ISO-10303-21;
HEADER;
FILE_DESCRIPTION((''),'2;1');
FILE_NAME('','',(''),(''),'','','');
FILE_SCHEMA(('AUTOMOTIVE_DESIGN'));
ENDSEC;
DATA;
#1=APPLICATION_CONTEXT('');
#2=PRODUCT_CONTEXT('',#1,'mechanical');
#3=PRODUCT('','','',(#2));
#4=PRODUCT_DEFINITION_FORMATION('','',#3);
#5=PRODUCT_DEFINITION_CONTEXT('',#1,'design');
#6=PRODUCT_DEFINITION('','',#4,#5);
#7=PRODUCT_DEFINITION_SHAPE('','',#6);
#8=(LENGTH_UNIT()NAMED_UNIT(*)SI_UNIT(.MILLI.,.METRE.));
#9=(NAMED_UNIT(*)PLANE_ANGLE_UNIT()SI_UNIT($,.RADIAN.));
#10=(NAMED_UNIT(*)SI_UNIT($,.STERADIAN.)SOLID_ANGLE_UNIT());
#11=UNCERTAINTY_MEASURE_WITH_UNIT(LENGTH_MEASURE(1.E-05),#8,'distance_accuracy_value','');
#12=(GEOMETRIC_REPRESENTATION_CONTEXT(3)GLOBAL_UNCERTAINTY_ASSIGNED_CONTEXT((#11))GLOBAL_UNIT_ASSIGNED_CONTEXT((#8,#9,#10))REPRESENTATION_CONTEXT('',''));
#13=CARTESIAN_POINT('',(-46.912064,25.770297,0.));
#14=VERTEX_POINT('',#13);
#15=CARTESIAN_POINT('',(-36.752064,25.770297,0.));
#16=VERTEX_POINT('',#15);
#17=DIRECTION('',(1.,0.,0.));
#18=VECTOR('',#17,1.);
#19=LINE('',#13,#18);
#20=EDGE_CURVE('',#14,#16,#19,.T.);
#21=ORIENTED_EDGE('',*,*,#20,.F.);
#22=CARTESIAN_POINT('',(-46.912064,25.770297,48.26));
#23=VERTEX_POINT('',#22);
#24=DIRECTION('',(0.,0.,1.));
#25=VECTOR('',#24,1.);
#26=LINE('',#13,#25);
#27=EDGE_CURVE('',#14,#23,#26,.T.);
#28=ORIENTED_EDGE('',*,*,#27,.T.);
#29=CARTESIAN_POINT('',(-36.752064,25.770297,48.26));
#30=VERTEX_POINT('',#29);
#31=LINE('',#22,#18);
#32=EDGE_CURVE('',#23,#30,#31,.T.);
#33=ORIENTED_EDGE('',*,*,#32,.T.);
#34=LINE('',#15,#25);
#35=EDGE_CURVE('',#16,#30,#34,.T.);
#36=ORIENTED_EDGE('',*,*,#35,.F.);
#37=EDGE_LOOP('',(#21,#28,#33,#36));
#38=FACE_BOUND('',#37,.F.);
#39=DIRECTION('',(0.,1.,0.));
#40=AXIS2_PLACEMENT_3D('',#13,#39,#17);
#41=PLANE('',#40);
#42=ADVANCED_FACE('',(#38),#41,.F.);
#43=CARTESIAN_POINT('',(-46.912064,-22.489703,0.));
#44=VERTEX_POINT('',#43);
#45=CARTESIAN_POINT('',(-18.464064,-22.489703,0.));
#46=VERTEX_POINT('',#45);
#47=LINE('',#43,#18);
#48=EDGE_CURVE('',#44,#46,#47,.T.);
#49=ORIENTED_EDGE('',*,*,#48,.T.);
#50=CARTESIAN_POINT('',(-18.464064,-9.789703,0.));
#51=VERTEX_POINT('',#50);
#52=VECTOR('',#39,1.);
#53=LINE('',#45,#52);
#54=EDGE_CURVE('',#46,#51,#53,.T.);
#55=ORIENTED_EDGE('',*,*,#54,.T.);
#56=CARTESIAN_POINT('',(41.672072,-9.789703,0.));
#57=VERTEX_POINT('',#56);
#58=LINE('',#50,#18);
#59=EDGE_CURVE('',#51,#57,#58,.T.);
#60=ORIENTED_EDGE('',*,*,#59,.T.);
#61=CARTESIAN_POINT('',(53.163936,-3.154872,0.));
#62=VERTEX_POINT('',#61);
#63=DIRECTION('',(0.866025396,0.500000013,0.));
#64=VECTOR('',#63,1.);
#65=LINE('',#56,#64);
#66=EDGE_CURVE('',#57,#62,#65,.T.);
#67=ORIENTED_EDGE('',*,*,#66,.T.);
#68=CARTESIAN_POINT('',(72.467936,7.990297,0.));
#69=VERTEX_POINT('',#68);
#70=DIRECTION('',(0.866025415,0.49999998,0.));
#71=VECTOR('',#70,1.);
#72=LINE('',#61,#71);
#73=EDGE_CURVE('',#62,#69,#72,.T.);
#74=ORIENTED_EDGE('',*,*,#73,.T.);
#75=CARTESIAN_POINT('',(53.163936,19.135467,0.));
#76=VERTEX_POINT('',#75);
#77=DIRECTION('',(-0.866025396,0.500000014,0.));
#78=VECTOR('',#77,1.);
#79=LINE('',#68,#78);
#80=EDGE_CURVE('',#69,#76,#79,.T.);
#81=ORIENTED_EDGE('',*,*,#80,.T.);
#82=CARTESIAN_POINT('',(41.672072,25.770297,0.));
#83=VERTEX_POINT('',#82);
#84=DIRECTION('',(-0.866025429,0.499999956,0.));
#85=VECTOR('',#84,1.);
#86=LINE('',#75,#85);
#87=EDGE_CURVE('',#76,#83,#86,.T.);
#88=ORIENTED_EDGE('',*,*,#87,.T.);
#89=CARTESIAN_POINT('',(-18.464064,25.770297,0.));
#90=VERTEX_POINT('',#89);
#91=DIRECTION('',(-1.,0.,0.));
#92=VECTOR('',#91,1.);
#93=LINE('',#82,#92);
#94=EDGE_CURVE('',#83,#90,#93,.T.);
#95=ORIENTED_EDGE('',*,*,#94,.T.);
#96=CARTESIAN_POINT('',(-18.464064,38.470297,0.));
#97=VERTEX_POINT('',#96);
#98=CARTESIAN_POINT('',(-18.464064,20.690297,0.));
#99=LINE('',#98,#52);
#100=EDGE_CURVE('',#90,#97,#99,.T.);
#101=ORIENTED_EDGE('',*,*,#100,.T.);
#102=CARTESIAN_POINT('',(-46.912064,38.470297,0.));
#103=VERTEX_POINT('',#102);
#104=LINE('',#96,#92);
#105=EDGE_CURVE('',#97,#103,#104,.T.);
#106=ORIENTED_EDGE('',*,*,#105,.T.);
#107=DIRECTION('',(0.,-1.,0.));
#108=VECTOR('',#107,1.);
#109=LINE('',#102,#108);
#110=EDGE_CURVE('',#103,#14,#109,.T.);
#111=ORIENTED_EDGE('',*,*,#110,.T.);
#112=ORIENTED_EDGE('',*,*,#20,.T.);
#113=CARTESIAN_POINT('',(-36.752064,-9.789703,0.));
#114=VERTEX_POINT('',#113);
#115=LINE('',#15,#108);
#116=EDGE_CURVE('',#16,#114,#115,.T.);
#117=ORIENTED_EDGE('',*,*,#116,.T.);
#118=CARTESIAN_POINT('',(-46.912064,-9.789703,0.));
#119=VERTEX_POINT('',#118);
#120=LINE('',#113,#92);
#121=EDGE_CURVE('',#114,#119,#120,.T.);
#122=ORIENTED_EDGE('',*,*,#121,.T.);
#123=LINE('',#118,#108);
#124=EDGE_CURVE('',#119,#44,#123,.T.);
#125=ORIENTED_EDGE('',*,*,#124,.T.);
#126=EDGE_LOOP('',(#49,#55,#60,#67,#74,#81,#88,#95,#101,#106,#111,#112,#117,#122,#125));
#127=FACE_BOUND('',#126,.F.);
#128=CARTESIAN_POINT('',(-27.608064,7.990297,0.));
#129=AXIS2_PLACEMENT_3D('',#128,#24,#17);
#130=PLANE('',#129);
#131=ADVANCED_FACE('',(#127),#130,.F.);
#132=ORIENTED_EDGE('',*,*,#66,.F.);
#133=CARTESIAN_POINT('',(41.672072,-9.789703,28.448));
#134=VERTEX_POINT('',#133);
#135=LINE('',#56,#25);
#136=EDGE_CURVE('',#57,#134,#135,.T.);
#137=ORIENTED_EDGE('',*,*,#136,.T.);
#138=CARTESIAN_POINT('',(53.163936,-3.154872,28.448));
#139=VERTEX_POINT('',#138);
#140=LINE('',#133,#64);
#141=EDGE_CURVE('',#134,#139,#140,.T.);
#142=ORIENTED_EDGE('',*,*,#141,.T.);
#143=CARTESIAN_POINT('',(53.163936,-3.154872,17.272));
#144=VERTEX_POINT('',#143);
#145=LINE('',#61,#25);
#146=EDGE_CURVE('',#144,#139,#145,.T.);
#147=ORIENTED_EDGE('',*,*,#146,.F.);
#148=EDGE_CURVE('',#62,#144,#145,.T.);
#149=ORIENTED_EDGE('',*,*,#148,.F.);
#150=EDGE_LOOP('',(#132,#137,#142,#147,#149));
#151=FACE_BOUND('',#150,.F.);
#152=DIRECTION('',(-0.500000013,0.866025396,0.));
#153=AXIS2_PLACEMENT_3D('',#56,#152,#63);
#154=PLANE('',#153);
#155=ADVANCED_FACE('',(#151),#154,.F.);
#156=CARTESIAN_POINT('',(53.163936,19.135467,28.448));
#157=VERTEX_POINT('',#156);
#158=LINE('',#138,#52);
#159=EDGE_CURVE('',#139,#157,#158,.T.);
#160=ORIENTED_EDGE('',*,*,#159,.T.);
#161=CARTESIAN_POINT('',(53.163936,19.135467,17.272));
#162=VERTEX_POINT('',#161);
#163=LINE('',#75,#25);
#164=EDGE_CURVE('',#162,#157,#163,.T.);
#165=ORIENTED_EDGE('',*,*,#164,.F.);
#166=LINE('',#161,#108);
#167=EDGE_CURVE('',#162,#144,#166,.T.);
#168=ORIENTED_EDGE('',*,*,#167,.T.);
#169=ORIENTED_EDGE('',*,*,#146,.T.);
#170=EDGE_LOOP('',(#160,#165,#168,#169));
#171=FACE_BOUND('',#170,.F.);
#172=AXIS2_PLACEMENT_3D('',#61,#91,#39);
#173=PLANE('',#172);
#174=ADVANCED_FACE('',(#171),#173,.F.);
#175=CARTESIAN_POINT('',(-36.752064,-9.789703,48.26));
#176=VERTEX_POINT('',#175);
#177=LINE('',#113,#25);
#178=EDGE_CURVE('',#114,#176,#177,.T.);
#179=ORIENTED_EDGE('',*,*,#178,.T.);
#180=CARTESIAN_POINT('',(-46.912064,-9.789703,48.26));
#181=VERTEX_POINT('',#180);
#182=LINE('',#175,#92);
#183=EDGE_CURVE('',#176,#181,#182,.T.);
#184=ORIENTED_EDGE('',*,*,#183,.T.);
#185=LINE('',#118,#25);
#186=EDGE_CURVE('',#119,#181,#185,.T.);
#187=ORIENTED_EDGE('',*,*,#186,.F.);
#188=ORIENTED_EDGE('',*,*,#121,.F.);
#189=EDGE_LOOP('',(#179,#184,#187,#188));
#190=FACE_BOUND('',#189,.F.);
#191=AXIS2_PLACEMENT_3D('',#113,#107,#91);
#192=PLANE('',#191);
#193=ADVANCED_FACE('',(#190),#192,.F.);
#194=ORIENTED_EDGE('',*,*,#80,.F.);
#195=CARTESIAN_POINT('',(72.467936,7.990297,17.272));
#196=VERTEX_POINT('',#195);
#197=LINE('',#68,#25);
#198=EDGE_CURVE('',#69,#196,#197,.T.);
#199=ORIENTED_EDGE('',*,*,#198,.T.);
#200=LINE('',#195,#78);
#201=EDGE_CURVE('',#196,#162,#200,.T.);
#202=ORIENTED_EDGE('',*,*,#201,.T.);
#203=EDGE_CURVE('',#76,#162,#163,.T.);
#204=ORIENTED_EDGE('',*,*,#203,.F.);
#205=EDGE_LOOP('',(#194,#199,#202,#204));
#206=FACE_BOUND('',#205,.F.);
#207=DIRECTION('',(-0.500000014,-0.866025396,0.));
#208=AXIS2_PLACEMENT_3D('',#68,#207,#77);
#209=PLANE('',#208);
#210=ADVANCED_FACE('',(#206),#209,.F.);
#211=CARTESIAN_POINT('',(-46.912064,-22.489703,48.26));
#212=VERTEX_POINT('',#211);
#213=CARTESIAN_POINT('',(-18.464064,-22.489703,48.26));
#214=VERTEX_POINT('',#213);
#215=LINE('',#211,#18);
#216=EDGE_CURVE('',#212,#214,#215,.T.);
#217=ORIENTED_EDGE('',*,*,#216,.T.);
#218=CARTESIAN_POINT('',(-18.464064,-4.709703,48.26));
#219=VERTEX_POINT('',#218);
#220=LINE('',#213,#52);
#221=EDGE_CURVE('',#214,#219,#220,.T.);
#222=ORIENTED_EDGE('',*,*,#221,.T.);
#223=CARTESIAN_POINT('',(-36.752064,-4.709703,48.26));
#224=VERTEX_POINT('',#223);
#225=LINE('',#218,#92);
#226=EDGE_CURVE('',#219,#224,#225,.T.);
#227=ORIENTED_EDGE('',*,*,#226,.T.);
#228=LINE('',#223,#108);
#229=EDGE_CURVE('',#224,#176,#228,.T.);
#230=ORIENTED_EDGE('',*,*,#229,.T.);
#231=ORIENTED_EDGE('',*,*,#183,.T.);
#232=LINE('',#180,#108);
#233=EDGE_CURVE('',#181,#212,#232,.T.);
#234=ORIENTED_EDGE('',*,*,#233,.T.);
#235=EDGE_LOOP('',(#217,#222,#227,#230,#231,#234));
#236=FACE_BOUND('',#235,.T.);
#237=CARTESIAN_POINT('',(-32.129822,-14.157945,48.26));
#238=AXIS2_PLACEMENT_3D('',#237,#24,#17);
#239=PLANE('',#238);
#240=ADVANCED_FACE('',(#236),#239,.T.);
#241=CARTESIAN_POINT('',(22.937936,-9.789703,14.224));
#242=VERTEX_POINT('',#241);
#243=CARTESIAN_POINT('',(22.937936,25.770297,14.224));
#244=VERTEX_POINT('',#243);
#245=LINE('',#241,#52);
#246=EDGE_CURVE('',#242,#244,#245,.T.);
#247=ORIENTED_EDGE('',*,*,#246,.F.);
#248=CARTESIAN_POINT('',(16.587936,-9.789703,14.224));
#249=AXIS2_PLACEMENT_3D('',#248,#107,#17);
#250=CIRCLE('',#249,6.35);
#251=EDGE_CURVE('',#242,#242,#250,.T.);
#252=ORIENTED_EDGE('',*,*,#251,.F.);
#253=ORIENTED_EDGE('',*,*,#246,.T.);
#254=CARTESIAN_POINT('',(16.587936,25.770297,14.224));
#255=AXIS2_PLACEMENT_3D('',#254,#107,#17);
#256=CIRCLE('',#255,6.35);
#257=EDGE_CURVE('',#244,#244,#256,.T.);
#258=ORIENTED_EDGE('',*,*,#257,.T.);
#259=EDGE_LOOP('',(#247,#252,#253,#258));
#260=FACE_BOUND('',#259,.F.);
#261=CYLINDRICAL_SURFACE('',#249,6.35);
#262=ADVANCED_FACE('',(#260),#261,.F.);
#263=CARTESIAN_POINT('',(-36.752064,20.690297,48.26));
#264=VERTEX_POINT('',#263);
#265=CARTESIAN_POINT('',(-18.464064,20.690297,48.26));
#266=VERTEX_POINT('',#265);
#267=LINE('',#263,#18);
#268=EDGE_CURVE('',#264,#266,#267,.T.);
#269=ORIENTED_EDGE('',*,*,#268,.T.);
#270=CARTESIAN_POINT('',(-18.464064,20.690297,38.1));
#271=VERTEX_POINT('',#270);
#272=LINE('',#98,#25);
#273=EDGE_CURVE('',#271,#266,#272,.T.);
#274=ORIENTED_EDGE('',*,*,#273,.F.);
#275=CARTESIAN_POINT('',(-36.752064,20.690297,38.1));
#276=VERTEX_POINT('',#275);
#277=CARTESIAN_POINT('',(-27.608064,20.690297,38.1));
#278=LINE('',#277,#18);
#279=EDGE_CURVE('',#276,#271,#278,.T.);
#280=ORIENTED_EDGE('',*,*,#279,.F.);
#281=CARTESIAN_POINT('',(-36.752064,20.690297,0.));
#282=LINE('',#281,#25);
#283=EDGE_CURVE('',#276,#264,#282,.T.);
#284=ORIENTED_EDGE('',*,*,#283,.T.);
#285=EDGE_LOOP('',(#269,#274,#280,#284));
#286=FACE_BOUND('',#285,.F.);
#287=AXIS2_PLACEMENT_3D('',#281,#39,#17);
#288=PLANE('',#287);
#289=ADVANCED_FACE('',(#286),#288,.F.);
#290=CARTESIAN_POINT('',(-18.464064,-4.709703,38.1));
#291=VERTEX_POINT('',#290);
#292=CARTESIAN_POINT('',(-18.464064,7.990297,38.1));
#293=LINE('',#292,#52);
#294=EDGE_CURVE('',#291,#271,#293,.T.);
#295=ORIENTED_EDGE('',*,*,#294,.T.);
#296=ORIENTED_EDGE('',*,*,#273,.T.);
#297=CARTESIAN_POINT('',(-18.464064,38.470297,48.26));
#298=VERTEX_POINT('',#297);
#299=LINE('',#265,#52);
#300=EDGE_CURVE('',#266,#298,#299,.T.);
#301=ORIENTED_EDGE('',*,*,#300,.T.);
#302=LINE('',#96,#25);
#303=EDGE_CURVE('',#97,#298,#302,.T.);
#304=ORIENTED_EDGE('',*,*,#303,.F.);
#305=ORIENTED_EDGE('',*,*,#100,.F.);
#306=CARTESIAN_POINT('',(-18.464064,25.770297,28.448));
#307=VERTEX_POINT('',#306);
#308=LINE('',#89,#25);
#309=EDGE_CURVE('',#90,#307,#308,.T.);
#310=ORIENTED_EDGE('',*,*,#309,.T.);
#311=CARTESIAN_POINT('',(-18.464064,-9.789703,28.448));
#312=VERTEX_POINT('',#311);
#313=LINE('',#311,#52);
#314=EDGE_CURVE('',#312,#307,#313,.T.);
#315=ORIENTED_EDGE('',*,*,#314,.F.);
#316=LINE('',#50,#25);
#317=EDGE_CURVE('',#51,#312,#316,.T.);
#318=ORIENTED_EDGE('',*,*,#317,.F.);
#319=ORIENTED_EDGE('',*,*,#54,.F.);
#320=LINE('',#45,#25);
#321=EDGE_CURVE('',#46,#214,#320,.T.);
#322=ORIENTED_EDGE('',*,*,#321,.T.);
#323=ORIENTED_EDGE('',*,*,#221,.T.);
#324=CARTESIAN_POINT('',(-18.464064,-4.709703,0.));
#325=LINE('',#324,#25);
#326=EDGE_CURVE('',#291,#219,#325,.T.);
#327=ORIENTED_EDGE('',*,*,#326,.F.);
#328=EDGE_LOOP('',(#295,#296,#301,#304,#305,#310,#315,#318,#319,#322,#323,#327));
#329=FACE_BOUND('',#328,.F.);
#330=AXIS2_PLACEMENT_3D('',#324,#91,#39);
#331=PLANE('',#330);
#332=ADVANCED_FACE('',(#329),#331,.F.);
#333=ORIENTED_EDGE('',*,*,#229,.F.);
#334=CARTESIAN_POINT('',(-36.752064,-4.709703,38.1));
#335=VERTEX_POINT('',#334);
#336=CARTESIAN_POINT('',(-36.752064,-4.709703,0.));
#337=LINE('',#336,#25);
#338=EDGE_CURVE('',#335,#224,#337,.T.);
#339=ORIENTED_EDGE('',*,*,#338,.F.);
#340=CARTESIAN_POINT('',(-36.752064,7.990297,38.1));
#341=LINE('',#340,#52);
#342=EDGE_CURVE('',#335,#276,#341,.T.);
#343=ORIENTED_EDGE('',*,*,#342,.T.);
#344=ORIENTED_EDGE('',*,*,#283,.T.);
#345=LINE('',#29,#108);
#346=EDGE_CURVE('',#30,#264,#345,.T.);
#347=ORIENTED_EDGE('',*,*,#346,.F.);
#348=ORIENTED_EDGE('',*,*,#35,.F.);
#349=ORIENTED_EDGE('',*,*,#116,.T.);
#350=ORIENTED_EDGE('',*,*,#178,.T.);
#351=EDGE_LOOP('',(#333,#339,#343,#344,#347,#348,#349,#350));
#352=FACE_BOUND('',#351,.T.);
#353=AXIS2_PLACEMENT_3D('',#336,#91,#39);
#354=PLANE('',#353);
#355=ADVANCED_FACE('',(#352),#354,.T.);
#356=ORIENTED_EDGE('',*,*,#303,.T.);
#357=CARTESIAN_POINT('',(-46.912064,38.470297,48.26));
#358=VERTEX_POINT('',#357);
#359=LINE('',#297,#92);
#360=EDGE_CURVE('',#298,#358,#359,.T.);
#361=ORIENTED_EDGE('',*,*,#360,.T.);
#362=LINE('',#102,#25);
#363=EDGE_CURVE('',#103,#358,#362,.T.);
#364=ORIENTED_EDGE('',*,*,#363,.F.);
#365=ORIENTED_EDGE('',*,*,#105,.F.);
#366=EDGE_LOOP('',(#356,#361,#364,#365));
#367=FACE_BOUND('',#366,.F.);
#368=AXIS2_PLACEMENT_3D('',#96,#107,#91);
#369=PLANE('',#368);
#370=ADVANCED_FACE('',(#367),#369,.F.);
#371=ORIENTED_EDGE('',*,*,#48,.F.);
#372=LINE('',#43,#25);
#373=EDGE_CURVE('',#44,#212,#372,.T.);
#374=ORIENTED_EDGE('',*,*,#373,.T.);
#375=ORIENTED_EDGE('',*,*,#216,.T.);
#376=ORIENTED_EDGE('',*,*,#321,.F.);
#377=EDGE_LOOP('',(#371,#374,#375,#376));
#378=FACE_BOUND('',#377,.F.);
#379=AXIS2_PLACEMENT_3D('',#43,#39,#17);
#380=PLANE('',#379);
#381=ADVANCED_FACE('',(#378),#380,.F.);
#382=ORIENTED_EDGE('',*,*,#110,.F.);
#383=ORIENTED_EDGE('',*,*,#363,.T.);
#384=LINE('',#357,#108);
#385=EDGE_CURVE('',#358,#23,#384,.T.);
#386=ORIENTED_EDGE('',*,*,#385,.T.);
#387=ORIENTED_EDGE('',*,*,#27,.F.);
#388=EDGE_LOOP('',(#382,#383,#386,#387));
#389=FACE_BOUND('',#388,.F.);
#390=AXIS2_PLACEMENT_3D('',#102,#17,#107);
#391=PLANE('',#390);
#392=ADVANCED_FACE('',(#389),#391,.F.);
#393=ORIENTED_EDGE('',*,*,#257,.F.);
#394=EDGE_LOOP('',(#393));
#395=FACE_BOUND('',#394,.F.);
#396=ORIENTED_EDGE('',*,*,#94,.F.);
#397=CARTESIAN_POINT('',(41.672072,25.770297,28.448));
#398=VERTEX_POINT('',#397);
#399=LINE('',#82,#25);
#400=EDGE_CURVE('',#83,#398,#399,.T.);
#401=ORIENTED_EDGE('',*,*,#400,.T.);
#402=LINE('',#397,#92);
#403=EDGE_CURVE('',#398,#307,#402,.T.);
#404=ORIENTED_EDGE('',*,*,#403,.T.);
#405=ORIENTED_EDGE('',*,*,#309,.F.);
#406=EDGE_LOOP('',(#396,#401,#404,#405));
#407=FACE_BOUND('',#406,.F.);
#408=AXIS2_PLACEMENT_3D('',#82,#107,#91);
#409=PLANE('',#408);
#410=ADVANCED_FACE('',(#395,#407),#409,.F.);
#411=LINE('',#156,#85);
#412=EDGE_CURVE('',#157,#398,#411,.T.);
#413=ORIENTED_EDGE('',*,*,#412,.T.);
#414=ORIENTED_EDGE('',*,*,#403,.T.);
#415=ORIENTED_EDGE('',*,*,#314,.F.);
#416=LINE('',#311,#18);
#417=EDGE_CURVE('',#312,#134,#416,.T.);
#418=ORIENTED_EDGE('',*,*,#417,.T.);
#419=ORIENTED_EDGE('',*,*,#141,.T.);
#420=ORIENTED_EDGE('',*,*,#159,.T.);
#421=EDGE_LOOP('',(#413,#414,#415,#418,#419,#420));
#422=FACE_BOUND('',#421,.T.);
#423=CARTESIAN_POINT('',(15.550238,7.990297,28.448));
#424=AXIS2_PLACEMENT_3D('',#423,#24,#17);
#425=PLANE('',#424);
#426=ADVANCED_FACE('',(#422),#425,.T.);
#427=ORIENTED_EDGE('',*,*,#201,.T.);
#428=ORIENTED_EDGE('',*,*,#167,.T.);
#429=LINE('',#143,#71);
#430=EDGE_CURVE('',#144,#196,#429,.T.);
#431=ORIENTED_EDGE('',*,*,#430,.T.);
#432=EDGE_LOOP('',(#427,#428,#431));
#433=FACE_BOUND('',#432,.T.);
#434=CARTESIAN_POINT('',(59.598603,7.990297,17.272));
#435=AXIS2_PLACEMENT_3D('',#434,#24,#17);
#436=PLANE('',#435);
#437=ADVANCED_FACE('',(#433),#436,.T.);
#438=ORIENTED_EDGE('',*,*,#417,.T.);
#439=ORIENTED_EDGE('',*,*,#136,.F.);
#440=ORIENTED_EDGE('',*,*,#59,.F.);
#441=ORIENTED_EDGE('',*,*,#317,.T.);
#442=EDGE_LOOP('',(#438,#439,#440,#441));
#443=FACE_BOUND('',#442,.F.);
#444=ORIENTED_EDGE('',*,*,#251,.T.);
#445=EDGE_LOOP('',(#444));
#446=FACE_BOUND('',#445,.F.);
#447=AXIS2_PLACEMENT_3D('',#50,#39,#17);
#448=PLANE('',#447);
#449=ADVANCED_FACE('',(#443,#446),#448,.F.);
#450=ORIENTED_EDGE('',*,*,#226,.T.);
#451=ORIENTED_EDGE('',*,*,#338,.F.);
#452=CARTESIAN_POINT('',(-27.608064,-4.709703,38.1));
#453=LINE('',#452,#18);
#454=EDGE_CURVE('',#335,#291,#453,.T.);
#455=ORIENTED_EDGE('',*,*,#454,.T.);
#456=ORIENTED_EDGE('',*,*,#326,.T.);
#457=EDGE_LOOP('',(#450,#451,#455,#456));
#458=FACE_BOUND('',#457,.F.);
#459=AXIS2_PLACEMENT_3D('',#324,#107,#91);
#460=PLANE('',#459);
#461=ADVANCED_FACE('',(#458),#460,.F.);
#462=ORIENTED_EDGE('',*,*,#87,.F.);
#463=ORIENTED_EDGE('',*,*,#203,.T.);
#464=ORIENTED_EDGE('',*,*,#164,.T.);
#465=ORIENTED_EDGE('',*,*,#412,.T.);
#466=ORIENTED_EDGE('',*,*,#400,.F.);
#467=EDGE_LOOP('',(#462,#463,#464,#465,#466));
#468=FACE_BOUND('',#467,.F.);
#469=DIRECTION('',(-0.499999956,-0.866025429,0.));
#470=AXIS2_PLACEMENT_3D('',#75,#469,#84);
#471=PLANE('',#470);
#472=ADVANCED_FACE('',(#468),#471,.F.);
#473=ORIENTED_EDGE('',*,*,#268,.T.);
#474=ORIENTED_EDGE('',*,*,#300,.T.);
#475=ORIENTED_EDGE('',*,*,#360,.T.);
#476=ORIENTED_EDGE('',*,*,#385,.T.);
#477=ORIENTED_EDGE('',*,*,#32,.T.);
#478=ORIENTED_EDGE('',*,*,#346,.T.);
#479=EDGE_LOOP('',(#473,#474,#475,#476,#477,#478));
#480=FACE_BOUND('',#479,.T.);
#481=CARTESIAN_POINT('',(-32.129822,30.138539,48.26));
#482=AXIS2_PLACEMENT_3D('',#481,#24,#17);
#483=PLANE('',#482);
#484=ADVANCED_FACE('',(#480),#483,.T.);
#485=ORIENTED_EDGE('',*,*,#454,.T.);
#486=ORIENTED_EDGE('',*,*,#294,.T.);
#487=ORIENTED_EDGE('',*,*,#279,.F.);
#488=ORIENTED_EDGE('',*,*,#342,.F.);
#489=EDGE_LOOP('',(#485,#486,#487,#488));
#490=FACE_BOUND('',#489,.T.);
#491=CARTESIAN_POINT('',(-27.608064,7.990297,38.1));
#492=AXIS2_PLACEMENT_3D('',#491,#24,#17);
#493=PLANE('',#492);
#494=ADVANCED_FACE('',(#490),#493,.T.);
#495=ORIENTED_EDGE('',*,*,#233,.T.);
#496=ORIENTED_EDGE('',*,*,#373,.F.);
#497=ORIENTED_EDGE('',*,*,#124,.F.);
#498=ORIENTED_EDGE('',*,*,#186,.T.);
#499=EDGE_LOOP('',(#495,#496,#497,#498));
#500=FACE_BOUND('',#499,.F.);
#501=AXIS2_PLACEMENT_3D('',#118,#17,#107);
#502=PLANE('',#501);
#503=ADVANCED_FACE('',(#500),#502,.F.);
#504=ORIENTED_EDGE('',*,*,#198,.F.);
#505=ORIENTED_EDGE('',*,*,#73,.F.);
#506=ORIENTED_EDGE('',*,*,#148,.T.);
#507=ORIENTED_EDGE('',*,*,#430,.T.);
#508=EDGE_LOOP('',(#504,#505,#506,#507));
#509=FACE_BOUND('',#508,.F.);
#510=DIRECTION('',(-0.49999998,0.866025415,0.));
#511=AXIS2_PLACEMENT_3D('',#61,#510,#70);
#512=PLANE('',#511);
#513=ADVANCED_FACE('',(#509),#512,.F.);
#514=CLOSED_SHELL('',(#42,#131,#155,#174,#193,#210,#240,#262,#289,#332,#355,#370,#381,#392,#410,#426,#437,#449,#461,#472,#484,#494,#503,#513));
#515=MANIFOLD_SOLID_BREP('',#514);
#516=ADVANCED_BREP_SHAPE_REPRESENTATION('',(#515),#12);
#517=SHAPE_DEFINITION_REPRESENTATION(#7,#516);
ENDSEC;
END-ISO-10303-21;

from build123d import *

# Parameters (mm, degrees)
F1_DEPTH = 28.448
F2_DEPTH = 17.272
F3_DEPTH = 48.26
F0_W     = 18.288
F0_H     = 25.4
F4_DEPTH = 38.1
F5_R     = 6.35
F6_DEPTH = 53.34


with BuildPart() as f1:
    # F0 (on Top) → F1 (new body)
    with BuildSketch(Plane.XY):
        Polygon((41.672072, 25.770297), (-18.464064, 25.770297), (-18.464064, 20.690297), (-18.464064, -4.709703), (-18.464064, -9.789703), (41.672072, -9.789703), (53.163936, -3.154872), (53.163936, 19.135467), align=None)
    extrude(amount=F1_DEPTH)

    # F0 (on Top) → F2 (join)
    with BuildSketch(Plane.XY):
        Polygon((72.467936, 7.990297), (53.163936, 19.135467), (53.163936, -3.154872), align=None)
    extrude(amount=F2_DEPTH)

    # F0 (on Top) → F3 (join)
    with BuildSketch(Plane.XY):
        Polygon((-18.464064, 38.470297), (-46.912064, 38.470297), (-46.912064, 25.770297), (-36.752064, 25.770297), (-36.752064, 20.690297), (-18.464064, 20.690297), (-18.464064, 25.770297), align=None)
        Polygon((-18.464064, -9.789703), (-18.464064, -4.709703), (-36.752064, -4.709703), (-36.752064, -9.789703), (-46.912064, -9.789703), (-46.912064, -22.489703), (-18.464064, -22.489703), align=None)
    extrude(amount=F3_DEPTH)

    # F0 (on Top) → F4 (join)
    with BuildSketch(Plane.XY):
        with Locations((-27.608064, 7.990297)):
            Rectangle(F0_W, F0_H)
    extrude(amount=F4_DEPTH)

    # F5 (on face) → F6 (cut)
    with BuildSketch(Plane.XZ.offset(9.789703)):
        with Locations((16.587936, 14.224)):
            Circle(F5_R)
    extrude(amount=-F6_DEPTH, mode=Mode.SUBTRACT)


solid = f1.part
